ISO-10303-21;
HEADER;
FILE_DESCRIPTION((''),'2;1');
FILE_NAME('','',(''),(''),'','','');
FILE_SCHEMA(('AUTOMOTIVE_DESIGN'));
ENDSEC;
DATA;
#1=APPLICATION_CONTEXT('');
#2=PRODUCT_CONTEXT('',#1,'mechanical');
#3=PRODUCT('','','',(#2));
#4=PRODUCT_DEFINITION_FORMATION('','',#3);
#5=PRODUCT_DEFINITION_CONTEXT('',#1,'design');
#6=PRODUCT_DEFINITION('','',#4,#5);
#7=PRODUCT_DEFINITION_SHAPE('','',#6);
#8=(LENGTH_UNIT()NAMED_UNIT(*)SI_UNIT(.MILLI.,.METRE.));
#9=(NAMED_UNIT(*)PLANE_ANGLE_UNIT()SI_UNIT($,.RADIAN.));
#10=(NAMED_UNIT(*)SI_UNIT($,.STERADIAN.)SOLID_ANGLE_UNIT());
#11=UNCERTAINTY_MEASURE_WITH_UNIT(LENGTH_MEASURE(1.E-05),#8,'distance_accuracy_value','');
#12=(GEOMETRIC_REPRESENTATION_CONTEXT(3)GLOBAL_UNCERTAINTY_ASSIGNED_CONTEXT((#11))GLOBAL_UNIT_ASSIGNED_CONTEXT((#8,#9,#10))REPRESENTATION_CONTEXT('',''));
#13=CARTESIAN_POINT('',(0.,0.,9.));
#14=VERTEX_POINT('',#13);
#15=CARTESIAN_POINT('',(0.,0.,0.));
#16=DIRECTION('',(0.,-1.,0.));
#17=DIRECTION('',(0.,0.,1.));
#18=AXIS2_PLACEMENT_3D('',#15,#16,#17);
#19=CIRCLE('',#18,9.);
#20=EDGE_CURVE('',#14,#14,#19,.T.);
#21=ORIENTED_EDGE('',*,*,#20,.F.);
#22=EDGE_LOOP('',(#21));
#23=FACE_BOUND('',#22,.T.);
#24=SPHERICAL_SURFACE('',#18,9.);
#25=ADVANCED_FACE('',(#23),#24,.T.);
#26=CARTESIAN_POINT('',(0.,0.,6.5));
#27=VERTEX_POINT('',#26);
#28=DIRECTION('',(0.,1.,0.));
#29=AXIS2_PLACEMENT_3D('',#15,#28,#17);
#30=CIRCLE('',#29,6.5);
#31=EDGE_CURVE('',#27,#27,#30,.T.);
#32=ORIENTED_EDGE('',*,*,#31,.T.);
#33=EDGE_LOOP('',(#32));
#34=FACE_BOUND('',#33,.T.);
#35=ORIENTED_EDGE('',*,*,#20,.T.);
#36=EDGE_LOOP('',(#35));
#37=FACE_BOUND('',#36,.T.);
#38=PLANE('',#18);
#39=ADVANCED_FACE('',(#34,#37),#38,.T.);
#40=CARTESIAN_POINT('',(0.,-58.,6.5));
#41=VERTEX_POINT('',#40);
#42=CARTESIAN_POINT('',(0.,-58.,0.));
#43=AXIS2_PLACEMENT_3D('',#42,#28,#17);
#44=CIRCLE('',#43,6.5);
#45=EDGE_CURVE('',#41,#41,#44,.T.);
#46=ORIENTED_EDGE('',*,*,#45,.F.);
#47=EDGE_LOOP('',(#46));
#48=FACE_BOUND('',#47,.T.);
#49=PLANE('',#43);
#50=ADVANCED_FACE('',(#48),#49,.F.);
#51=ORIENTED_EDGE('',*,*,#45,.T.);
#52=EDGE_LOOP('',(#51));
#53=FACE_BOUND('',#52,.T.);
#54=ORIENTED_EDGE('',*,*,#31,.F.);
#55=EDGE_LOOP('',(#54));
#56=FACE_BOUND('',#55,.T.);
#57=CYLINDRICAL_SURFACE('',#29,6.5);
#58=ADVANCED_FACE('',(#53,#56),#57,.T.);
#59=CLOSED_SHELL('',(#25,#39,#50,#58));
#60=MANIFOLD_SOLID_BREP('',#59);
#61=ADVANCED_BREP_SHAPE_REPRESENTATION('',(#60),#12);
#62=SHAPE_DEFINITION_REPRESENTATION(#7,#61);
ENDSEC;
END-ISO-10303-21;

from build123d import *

# Parameters (mm, degrees)
REVOLVE_1_ANGLE = 180
SKETCH_6_W      = 6.5
SKETCH_6_H      = 58


with BuildPart() as part:
    # 草图1 → 旋转1 (revolve)
    with BuildSketch(Plane(origin=(0, 0, 0), x_dir=(1, 0, 0), z_dir=(0, 1, 0))):
        with BuildLine():
            Line((0, 9), (0, -9))
            ThreePointArc((0, -9), (9, 0), (0, 9))
        make_face()
    revolve(axis=Axis((0, 0, -9), (0, 0, 1)), revolution_arc=REVOLVE_1_ANGLE)

    # 草图6 → 旋转2 (revolve)
    with BuildSketch(Plane(origin=(0, 0, 0), x_dir=(0, 0, -1), z_dir=(1, 0, 0)), mode=Mode.PRIVATE) as revolve_2_sk:
        with Locations((3.25, -29)):
            Rectangle(SKETCH_6_W, SKETCH_6_H)
    revolve(revolve_2_sk.sketch.rotate(Axis((0, 0, 0), (0, -1, 0)), 180), axis=Axis((0, 0, 0), (0, -1, 0)))


solid = part.part
